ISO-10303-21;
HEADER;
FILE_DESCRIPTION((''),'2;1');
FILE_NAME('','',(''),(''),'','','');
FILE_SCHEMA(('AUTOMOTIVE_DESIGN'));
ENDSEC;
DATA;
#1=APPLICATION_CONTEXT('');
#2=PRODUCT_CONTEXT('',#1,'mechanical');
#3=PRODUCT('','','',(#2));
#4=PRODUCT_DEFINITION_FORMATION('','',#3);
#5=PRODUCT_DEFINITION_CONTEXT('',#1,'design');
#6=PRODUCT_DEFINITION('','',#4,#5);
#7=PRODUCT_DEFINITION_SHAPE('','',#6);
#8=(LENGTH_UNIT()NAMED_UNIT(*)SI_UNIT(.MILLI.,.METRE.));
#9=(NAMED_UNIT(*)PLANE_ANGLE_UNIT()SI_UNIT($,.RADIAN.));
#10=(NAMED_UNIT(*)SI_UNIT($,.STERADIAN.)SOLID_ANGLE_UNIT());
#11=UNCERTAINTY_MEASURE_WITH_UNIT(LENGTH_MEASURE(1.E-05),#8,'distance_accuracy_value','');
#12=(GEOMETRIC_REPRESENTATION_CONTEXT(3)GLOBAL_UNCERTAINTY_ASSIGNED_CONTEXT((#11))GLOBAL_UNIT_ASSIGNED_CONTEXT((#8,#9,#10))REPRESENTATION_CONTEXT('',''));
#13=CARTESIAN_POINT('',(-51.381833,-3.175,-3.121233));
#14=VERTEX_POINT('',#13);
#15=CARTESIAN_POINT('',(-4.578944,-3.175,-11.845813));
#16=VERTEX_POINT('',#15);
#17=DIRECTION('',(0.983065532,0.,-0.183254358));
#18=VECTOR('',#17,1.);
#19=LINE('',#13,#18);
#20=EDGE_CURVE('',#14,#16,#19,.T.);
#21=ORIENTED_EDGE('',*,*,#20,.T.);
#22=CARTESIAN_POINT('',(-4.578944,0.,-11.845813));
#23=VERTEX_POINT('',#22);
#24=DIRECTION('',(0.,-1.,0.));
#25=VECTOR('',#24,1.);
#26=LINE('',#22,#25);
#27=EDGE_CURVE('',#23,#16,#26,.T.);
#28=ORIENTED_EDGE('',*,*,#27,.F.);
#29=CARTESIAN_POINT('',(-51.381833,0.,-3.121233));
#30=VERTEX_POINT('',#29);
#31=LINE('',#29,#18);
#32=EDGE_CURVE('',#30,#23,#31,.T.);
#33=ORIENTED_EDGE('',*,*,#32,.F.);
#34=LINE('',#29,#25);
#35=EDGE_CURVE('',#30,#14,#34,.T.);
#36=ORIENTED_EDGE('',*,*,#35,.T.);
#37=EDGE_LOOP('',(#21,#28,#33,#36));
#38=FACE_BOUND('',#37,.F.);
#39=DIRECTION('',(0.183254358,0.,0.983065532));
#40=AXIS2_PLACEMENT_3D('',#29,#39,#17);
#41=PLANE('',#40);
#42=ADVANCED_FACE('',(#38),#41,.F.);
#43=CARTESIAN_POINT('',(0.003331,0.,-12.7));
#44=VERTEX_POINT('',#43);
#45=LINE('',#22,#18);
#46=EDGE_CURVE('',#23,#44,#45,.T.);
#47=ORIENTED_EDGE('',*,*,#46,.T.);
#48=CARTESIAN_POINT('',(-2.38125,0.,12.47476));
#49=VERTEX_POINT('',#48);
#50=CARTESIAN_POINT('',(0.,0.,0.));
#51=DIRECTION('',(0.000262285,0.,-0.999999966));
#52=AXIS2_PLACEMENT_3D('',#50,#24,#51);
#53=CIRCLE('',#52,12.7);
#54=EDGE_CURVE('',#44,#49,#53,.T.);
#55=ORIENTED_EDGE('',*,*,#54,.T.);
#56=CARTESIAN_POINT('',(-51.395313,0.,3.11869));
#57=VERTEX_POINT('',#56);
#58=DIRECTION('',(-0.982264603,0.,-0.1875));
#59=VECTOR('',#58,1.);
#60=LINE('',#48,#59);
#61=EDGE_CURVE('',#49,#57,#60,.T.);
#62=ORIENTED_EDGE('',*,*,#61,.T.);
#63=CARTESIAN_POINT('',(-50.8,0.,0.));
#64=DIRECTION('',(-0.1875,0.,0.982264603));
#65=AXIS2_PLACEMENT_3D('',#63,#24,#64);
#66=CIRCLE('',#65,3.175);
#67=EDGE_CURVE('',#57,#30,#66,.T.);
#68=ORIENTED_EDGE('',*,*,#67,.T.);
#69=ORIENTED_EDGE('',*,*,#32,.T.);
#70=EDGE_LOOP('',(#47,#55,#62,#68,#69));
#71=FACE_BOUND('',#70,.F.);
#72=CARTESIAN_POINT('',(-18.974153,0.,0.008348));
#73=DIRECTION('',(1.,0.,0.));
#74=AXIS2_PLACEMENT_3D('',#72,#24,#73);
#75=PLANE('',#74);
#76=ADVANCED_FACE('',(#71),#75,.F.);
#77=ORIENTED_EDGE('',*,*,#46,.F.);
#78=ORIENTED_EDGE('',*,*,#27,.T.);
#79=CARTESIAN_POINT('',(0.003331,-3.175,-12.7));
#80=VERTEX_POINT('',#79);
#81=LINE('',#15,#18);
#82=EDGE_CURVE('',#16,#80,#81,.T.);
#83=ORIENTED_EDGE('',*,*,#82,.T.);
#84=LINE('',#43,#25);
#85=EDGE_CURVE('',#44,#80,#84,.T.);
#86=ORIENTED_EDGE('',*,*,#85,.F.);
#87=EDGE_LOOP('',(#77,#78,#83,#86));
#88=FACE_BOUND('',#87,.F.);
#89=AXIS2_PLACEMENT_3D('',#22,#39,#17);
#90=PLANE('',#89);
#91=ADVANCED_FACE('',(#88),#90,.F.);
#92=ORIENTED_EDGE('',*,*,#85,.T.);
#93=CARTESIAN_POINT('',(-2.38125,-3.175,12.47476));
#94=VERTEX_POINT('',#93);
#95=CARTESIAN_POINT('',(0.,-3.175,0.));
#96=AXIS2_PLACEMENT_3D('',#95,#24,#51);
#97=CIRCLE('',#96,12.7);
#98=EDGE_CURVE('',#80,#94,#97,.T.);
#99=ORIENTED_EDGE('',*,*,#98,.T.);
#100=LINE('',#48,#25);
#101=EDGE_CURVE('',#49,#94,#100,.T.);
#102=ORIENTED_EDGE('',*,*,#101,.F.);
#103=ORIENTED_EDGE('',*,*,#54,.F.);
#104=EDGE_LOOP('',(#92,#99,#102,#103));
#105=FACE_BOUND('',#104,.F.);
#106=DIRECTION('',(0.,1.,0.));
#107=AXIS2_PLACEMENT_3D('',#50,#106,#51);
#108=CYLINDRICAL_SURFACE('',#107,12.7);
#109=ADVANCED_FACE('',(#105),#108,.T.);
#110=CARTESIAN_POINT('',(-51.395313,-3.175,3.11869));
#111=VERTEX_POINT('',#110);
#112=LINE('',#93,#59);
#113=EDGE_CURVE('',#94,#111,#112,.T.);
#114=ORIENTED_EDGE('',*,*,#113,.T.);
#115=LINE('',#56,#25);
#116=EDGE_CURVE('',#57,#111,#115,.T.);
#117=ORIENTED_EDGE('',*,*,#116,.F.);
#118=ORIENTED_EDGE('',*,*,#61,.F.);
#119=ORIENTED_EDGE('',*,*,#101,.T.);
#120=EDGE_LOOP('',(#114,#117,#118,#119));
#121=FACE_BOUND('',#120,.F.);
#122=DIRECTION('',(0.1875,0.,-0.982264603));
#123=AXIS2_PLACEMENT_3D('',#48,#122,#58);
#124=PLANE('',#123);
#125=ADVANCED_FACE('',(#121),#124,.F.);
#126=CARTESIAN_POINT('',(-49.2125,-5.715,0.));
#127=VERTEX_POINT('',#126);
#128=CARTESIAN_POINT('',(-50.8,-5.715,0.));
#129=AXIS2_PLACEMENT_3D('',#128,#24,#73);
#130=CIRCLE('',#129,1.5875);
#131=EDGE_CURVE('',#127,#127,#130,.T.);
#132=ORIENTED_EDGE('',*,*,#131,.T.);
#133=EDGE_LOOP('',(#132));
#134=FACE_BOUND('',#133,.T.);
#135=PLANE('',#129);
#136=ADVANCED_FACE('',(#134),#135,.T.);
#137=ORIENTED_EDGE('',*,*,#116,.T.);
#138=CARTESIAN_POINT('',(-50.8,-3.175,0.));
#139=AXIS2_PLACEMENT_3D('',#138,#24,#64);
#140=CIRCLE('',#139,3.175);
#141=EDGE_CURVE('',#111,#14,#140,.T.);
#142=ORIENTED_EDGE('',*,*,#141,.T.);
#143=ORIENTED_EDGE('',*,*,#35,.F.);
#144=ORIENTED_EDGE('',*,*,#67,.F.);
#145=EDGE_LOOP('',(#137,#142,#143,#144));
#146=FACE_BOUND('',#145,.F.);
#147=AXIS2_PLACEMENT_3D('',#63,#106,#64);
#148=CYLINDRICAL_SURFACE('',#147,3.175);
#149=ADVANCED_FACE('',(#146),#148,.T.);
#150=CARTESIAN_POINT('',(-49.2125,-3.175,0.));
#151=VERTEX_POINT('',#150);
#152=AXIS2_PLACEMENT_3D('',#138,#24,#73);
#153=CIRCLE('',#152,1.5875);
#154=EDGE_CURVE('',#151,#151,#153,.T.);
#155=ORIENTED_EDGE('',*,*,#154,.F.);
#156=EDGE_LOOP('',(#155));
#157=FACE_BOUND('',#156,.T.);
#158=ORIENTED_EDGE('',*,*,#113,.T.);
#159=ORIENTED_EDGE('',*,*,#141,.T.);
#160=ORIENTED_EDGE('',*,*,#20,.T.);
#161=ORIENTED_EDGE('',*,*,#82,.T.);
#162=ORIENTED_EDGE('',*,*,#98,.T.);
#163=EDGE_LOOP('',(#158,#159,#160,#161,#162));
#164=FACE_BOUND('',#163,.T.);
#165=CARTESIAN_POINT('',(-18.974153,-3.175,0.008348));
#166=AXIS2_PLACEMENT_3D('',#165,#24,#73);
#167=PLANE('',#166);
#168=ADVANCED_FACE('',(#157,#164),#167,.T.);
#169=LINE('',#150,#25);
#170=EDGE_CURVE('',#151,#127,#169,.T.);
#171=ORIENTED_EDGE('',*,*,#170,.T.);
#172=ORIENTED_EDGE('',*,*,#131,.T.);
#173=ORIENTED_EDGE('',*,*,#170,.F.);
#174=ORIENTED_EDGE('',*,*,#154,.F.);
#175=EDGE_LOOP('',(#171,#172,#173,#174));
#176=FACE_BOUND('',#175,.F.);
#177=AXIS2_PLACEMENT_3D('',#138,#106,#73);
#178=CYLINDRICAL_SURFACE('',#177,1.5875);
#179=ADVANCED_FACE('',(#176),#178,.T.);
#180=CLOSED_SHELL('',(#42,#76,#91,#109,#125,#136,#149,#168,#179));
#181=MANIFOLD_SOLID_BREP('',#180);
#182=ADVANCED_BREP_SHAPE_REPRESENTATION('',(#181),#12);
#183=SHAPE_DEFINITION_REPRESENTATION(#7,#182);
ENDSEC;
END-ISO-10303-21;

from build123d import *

# Parameters (mm, degrees)
F1_DEPTH = 3.175
F2_R     = 1.5875
F3_DEPTH = 2.54


with BuildPart() as f1:
    # F0 (on Front) → F1 (new body)
    with BuildSketch(Plane.XZ):
        with BuildLine():
            Line((-51.3818325876, -3.121233064), (-4.5789436396, -11.8458125574))
            Line((-4.5789436396, -11.8458125574), (0.0033310249, -12.6999995632))
            ThreePointArc((0.0033310249, -12.6999995632), (12.6434077752, 1.1975975242), (-2.38125, 12.4747604561))
            Line((-2.38125, 12.4747604561), (-51.3953125, 3.118690114))
            ThreePointArc((-51.3953125, 3.118690114), (-53.9749925915, -0.006858838), (-51.3818325876, -3.121233064))
        make_face()
    extrude(amount=F1_DEPTH)

    # F2 (on face) → F3 (join)
    with BuildSketch(Plane.XZ.offset(3.175)):
        with Locations((-50.8, 0)):
            Circle(F2_R)
    extrude(amount=F3_DEPTH)


solid = f1.part
